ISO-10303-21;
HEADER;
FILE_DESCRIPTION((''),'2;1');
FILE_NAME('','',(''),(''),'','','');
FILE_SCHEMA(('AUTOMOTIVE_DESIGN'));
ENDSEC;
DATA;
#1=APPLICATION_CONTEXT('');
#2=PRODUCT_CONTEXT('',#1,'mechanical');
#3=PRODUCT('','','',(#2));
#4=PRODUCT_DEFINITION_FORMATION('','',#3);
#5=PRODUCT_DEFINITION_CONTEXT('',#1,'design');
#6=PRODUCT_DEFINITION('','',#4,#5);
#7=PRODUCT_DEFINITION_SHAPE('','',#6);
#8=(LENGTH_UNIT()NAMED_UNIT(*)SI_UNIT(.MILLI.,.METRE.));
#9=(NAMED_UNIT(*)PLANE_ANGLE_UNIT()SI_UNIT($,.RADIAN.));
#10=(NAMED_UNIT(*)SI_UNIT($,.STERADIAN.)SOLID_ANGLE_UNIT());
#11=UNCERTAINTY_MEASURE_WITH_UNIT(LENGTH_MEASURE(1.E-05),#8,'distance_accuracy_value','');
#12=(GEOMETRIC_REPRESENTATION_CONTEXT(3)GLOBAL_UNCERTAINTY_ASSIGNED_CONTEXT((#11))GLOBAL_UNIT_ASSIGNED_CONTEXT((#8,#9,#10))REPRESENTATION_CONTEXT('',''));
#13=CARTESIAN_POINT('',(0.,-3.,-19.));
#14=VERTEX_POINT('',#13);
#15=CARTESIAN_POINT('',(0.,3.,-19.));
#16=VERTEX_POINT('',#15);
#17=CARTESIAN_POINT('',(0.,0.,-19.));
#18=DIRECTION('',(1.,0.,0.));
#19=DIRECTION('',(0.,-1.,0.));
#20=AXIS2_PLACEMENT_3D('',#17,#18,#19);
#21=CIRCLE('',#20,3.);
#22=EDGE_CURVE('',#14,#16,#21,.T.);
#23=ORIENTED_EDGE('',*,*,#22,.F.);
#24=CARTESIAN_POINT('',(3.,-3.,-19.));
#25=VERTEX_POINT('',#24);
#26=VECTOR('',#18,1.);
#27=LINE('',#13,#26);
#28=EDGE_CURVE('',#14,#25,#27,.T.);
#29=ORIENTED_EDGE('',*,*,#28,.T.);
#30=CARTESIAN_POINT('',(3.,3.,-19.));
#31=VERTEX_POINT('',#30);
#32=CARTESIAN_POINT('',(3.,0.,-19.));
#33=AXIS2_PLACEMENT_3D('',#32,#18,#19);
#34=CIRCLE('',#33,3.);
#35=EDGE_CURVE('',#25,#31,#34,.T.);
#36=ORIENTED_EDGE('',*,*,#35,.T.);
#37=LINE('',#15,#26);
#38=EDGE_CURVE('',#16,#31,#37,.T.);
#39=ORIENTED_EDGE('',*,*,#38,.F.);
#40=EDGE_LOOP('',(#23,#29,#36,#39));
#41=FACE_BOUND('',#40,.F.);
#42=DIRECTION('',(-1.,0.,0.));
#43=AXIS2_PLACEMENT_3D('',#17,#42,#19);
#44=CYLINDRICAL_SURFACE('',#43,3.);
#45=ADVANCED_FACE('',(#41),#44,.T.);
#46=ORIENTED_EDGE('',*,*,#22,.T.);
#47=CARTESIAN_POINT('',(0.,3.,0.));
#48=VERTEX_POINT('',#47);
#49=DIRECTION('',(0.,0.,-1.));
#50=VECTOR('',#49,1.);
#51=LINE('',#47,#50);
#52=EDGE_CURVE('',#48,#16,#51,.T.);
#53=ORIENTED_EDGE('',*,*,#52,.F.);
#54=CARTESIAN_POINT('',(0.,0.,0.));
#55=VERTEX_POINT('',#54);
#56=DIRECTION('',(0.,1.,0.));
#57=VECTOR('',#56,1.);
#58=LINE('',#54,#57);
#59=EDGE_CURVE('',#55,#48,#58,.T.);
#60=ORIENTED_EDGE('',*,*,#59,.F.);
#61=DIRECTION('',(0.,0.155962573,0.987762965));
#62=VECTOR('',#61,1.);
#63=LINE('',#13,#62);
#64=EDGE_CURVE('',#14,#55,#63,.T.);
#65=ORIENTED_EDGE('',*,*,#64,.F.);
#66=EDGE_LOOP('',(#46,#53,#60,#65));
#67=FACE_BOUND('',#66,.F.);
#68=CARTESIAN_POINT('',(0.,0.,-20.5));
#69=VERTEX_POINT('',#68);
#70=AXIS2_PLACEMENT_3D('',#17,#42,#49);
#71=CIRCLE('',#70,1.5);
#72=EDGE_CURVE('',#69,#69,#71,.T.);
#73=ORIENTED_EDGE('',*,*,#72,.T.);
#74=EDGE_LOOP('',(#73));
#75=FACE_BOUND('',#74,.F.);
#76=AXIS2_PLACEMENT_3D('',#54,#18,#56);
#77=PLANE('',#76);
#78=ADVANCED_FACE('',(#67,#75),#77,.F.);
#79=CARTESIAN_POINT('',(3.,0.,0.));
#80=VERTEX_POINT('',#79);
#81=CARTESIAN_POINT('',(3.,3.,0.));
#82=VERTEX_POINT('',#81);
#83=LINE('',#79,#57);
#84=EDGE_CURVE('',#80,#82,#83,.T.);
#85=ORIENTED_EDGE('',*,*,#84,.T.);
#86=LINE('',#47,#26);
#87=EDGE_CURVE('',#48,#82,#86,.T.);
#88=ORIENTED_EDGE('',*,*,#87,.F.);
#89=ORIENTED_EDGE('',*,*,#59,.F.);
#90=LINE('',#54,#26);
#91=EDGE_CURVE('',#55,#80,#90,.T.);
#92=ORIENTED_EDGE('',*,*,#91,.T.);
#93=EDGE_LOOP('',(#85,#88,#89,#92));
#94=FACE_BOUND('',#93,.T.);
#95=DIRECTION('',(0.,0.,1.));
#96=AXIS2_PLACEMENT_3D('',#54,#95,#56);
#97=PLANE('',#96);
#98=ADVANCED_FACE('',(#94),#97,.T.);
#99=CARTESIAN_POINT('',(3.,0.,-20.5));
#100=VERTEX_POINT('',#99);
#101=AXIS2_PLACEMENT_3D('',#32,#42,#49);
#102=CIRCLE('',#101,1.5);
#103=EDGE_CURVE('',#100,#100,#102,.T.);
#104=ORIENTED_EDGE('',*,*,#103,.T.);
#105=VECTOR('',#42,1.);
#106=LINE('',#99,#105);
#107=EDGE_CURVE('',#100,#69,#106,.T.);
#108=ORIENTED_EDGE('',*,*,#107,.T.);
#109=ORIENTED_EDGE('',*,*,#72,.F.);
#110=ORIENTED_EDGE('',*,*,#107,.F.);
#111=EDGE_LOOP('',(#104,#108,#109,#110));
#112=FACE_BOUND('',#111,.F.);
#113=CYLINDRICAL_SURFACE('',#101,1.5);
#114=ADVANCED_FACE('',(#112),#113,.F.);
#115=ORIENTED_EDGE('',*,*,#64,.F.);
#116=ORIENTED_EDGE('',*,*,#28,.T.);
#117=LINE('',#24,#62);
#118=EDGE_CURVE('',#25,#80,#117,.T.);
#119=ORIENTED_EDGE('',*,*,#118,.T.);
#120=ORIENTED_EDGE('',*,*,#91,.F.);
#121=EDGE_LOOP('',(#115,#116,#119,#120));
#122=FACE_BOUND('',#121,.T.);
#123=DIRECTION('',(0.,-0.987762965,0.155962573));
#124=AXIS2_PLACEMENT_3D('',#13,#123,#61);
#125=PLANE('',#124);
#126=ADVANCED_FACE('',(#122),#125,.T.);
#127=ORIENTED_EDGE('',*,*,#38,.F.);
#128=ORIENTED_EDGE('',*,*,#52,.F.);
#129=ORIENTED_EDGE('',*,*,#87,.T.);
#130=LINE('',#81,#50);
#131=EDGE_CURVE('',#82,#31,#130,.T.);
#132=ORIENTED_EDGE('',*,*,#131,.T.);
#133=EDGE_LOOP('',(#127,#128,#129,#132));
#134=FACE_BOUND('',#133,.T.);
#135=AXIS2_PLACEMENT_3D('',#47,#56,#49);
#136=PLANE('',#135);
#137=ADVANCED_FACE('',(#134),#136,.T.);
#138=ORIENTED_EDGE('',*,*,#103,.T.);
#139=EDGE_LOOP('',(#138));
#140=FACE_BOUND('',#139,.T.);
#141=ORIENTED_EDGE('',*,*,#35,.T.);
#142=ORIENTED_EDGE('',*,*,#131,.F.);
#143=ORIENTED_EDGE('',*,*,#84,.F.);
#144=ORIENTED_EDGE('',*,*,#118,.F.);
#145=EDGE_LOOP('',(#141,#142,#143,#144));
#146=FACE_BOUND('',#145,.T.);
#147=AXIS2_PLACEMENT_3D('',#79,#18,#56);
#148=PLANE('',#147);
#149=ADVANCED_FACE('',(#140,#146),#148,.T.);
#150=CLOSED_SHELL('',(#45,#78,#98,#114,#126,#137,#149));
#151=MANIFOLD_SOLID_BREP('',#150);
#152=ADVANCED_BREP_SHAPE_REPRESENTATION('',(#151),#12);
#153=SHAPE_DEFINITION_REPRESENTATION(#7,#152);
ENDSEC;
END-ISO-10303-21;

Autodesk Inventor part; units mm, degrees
ref_plane "YZ Plane" through (0, 0, 0) normal (1, 0, 0) x (0, 1, 0)
ref_plane "XZ Plane" through (0, 0, 0) normal (0, 1, 0) x (-1, 0, 0)
ref_plane "XY Plane" through (0, 0, 0) normal (0, 0, 1) x (1, 0, 0)
sketch "Skizze1" plane through (0, 0, 0) normal (1, 0, 0) x (0, 1, 0)
  line L0 (0, 0) -> (3, 0)
  line L1 (3, 0) -> (3, -19)
  arc A0 (-3, -19) -> (3, -19) centre (0, -19) ccw
  line L2 (-3, -19) -> (0, 0)
  dimension "d0" = 3
  dimension "d1" = 19
  dimension "d2" = 3
  dimension "d3" = 3
extrude "Extrusion1" add sketch "Skizze1" along normal blind 3
sketch "Skizze2" plane through (3, 0, 0) normal (1, 0, 0) x (0, 0, -1)
  arc A0 (19, -3) -> (19, 3) centre (19, 0) ccw projected
  point P0 (0, 0)
hole "Bohrung1" at (3, 0, -19) direction (-1, 0, 0) diameter 3 depth 3
properties part number "109 part 2"
